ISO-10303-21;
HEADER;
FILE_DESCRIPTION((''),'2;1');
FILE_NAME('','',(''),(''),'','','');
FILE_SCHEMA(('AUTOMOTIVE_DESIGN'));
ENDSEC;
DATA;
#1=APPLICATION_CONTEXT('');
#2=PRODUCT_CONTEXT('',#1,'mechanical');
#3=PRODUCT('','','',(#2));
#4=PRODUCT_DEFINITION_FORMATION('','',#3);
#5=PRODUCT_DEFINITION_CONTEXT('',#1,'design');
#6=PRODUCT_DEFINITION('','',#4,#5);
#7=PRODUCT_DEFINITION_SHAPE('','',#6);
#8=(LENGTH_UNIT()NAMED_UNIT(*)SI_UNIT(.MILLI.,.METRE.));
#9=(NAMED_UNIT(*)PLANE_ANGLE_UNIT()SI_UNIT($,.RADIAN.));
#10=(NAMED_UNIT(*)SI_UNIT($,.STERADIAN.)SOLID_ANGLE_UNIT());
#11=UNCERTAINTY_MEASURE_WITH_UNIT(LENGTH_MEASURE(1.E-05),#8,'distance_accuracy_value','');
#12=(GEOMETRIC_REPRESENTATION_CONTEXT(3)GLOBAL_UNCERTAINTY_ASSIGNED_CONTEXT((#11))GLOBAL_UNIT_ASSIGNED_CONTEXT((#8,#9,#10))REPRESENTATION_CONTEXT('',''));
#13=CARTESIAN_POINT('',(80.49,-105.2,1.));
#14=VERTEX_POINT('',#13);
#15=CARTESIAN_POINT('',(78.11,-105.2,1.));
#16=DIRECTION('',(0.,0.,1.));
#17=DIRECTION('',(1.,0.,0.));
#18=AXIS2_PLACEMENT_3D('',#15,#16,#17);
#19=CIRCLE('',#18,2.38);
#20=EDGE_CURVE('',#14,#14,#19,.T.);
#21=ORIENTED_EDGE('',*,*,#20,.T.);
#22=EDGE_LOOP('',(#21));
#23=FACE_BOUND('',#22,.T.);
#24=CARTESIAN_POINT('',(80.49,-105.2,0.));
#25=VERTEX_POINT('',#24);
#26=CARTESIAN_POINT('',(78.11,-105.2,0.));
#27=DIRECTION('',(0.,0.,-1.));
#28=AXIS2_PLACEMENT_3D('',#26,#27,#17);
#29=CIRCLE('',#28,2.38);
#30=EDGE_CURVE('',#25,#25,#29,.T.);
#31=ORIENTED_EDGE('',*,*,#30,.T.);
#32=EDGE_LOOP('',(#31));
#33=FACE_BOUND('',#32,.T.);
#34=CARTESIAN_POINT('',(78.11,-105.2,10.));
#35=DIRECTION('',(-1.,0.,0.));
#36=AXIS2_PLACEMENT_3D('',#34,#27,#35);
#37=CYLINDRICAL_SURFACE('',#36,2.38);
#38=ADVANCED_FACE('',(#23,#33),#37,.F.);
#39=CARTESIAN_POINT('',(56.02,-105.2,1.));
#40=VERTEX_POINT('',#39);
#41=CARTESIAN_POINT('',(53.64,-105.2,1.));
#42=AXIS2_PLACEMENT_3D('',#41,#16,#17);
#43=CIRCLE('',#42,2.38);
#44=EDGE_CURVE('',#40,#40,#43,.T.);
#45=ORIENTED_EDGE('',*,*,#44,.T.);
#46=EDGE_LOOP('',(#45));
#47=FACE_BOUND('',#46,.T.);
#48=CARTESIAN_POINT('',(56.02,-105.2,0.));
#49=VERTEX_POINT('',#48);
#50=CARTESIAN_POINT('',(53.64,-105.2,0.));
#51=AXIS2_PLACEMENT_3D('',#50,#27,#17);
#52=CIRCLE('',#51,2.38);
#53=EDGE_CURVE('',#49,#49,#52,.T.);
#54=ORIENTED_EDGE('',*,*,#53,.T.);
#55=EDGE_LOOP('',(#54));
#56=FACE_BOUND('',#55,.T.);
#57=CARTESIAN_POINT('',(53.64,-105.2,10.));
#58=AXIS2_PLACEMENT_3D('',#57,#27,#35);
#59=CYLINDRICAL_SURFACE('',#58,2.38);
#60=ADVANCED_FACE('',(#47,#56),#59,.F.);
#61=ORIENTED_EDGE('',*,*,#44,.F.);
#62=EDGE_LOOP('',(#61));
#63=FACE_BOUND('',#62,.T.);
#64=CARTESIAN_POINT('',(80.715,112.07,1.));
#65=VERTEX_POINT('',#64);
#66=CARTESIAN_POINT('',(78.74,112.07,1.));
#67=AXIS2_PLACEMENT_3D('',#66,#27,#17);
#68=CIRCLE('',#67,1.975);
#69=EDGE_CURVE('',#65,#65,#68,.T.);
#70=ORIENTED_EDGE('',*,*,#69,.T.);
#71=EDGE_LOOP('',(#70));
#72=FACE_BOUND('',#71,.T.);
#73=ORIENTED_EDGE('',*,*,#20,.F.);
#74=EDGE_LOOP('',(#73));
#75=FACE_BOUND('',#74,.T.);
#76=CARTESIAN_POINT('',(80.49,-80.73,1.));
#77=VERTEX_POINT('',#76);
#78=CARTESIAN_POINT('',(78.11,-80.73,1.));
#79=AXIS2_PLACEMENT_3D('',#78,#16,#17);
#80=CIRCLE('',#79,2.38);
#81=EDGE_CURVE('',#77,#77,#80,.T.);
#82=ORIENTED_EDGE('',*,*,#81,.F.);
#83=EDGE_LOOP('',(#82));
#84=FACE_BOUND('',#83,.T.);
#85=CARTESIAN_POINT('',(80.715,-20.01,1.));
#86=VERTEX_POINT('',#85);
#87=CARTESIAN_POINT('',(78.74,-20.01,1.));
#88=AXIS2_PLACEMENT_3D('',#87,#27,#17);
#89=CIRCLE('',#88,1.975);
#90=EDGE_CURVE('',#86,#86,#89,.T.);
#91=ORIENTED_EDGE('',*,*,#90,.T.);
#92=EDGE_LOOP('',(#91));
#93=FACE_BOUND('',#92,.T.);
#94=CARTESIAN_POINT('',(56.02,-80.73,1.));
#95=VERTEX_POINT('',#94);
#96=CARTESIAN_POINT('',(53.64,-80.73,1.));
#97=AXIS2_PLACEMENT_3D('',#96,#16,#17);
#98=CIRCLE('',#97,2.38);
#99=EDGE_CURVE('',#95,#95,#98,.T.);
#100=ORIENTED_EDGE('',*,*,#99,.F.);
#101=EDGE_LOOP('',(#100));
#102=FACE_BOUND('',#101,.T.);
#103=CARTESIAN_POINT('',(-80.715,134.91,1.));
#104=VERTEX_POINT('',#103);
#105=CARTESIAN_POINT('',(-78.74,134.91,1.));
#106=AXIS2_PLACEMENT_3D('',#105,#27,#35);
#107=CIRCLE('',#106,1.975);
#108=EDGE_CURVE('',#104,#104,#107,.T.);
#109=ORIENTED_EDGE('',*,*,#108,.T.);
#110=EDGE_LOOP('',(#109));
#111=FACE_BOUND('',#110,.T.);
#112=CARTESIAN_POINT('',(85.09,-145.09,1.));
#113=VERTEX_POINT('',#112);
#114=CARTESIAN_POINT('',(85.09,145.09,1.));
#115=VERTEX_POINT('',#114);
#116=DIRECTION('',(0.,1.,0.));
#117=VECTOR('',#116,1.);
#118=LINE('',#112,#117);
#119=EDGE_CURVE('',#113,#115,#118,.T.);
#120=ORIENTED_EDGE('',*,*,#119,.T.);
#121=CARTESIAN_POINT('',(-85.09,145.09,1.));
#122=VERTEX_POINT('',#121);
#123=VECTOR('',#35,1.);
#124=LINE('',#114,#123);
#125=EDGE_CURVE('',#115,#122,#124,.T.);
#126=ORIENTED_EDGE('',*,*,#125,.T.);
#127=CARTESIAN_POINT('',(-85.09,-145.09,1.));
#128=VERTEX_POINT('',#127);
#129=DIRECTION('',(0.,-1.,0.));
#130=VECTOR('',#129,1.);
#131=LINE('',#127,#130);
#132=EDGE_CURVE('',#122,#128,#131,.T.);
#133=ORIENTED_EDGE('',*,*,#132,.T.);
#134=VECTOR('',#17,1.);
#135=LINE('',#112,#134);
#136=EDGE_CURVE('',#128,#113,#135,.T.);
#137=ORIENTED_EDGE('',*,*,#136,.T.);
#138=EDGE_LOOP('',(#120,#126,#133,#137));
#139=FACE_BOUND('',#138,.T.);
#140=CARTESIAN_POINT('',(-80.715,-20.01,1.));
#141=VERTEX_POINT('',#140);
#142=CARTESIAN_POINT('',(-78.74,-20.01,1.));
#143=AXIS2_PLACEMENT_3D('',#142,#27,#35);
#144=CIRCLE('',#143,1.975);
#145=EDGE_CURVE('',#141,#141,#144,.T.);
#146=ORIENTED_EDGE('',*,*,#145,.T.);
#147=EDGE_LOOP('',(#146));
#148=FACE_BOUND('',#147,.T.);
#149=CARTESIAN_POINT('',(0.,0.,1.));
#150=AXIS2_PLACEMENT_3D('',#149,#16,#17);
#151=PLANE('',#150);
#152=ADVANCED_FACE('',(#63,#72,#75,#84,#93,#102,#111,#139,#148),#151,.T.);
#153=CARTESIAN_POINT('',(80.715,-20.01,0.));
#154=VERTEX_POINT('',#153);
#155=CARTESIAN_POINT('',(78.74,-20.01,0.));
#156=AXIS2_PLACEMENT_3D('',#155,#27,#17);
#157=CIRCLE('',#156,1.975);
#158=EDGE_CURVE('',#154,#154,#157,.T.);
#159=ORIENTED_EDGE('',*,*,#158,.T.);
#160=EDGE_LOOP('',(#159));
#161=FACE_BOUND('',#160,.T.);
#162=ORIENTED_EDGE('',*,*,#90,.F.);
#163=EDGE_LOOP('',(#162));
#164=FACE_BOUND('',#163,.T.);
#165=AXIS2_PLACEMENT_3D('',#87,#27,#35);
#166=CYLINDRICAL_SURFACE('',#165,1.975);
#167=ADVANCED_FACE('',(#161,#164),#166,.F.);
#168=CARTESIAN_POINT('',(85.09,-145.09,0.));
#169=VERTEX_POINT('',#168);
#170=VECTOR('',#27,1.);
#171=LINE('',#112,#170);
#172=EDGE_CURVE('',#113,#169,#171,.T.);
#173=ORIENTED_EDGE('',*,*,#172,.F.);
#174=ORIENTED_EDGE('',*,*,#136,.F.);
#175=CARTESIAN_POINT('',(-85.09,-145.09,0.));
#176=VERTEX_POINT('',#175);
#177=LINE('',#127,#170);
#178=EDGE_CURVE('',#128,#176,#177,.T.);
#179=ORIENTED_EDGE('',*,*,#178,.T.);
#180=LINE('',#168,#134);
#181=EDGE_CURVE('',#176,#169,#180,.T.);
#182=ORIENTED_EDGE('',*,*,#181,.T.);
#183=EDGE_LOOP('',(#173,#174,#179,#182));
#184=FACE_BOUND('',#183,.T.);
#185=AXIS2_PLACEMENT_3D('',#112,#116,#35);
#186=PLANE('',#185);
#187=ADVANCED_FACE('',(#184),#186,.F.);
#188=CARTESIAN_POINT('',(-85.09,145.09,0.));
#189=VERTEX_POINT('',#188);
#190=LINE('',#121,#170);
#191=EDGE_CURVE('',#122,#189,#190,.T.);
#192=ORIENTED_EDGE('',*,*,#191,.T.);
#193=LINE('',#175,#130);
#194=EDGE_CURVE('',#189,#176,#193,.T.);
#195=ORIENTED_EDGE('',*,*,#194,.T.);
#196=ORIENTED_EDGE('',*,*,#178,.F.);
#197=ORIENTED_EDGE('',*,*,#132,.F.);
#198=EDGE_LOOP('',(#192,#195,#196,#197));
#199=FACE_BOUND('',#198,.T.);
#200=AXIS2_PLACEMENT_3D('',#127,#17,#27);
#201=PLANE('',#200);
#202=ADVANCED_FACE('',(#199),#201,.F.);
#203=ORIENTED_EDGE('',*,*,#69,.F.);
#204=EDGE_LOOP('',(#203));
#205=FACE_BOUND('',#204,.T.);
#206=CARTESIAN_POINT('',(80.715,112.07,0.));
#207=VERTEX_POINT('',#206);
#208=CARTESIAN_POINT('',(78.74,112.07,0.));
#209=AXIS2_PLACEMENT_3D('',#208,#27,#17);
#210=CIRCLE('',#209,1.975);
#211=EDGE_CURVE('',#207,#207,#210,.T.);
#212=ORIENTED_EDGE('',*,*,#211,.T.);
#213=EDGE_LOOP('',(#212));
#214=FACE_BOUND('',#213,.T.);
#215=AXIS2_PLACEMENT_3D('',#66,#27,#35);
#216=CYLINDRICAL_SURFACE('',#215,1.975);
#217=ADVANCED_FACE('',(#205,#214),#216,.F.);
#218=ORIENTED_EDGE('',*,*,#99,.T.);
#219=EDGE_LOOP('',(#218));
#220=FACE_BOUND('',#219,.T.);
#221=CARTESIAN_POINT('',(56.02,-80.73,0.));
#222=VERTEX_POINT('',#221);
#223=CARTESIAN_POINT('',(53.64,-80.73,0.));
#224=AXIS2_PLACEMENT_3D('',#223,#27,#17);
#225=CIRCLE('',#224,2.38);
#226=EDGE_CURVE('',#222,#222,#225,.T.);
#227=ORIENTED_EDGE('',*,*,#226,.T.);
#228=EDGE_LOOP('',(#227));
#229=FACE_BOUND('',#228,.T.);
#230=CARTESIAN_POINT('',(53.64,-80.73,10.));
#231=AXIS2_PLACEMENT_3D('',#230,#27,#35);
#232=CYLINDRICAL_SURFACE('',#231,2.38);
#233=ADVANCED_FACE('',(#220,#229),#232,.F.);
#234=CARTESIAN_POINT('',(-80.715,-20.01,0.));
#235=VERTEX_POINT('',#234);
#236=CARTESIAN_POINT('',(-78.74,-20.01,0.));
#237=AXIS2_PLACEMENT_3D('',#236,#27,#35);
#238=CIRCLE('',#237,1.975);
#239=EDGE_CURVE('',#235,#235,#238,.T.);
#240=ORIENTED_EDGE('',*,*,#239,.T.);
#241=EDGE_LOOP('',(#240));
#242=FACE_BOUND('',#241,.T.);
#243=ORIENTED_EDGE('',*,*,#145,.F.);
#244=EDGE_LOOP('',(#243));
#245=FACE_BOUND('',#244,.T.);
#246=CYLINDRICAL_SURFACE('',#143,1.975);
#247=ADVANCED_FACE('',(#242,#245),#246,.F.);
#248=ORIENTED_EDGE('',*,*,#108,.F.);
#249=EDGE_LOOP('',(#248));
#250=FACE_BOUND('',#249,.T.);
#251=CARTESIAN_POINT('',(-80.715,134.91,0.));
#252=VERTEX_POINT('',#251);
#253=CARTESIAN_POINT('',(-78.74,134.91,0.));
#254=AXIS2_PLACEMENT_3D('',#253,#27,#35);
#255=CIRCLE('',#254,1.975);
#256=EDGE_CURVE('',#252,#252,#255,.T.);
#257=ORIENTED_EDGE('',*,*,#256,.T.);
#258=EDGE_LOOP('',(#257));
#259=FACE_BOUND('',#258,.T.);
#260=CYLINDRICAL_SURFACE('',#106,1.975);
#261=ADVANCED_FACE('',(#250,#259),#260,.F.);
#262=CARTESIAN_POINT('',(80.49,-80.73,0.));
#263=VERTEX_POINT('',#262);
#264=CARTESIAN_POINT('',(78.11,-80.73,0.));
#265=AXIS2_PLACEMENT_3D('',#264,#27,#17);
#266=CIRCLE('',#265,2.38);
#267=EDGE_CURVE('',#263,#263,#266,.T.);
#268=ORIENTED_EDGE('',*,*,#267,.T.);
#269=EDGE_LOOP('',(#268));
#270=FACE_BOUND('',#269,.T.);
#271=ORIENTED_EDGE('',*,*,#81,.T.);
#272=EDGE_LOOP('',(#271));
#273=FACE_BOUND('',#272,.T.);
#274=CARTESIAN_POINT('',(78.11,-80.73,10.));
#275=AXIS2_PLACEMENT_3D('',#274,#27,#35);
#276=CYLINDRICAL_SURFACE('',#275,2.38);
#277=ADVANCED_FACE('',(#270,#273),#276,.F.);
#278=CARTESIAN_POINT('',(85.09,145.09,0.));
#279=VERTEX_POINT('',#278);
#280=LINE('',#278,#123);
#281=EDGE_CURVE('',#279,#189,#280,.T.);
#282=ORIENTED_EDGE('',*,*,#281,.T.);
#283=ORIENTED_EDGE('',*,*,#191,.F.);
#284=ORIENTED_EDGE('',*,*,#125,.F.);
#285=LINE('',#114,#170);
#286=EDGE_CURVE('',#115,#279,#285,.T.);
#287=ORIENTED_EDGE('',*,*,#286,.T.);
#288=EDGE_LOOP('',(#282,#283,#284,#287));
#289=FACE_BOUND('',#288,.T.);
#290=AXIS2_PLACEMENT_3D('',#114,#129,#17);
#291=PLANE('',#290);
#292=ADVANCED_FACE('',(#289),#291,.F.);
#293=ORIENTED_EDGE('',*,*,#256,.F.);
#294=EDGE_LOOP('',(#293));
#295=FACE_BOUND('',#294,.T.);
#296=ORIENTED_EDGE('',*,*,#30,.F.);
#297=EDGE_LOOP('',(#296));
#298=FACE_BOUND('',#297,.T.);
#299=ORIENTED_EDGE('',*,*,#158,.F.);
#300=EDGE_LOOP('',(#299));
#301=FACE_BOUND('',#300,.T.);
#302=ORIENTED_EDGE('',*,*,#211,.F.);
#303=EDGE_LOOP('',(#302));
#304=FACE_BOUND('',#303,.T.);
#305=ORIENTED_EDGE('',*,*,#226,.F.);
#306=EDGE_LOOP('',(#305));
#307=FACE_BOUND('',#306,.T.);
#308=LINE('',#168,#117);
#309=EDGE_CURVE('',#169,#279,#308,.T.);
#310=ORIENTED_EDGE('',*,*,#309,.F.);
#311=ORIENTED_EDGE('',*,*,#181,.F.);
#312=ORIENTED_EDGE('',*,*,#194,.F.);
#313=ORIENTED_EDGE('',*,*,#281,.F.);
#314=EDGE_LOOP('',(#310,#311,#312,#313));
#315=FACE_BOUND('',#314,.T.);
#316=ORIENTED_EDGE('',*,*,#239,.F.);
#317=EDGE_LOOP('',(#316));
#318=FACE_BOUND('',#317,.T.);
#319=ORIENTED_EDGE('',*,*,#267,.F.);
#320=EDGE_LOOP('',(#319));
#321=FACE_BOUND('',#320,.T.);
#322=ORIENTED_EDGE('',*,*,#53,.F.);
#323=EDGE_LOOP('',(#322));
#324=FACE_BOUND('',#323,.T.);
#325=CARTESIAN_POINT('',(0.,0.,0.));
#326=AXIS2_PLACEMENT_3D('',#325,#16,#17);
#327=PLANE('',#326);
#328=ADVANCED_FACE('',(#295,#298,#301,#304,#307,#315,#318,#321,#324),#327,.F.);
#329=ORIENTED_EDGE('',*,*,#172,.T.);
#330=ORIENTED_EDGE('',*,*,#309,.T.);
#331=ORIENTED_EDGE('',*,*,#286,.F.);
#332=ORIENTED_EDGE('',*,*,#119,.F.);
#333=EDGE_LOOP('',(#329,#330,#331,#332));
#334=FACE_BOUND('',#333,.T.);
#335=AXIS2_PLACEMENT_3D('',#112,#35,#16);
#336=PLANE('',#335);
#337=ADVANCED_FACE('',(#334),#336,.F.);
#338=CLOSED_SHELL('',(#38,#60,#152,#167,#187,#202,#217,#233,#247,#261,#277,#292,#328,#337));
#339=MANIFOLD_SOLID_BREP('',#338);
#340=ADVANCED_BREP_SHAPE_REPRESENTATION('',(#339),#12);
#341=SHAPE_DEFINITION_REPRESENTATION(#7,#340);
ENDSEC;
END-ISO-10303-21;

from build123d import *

# Parameters (mm, degrees)
CROQUIS1_W              = 170.18
CROQUIS1_H              = 290.18
SALIENTE_EXTRUIR1_DEPTH = 1
CROQUIS2_R              = 1.975
CORTAR_EXTRUIR1_DEPTH   = 1
CROQUIS3_R              = 2.38
CORTAR_EXTRUIR2_DEPTH   = 10


with BuildPart() as part:
    # Croquis1 → Saliente-Extruir1 (new body)
    with BuildSketch(Plane.XY):
        Rectangle(CROQUIS1_W, CROQUIS1_H)
    extrude(amount=SALIENTE_EXTRUIR1_DEPTH)

    # Croquis2 → Cortar-Extruir1 (cut)
    with BuildSketch(Plane(origin=(0, 0, 0), x_dir=(-1, 0, 0), z_dir=(0, 0, -1))):
        with Locations(Location((-78.74, 112.07, 0), (0, 0, 180))):
            Circle(CROQUIS2_R)
        with Locations((78.74, 134.91)):
            Circle(CROQUIS2_R)
        with Locations((78.74, -20.01)):
            Circle(CROQUIS2_R)
        with Locations(Location((-78.74, -20.01, 0), (0, 0, 180))):
            Circle(CROQUIS2_R)
    extrude(amount=-CORTAR_EXTRUIR1_DEPTH, mode=Mode.SUBTRACT)

    # Croquis3 → Cortar-Extruir2 (cut)
    with BuildSketch(Plane(origin=(0, 0, 0), x_dir=(-1, 0, 0), z_dir=(0, 0, -1))):
        with Locations(Location((-78.11, -105.2, 0), (0, 0, 180))):
            Circle(CROQUIS3_R)
        with Locations(Location((-53.64, -105.2, 0), (0, 0, 180))):
            Circle(CROQUIS3_R)
        with Locations(Location((-53.64, -80.73, 0), (0, 0, 180))):
            Circle(CROQUIS3_R)
        with Locations(Location((-78.11, -80.73, 0), (0, 0, 180))):
            Circle(CROQUIS3_R)
    extrude(amount=-CORTAR_EXTRUIR2_DEPTH, mode=Mode.SUBTRACT)


solid = part.part
